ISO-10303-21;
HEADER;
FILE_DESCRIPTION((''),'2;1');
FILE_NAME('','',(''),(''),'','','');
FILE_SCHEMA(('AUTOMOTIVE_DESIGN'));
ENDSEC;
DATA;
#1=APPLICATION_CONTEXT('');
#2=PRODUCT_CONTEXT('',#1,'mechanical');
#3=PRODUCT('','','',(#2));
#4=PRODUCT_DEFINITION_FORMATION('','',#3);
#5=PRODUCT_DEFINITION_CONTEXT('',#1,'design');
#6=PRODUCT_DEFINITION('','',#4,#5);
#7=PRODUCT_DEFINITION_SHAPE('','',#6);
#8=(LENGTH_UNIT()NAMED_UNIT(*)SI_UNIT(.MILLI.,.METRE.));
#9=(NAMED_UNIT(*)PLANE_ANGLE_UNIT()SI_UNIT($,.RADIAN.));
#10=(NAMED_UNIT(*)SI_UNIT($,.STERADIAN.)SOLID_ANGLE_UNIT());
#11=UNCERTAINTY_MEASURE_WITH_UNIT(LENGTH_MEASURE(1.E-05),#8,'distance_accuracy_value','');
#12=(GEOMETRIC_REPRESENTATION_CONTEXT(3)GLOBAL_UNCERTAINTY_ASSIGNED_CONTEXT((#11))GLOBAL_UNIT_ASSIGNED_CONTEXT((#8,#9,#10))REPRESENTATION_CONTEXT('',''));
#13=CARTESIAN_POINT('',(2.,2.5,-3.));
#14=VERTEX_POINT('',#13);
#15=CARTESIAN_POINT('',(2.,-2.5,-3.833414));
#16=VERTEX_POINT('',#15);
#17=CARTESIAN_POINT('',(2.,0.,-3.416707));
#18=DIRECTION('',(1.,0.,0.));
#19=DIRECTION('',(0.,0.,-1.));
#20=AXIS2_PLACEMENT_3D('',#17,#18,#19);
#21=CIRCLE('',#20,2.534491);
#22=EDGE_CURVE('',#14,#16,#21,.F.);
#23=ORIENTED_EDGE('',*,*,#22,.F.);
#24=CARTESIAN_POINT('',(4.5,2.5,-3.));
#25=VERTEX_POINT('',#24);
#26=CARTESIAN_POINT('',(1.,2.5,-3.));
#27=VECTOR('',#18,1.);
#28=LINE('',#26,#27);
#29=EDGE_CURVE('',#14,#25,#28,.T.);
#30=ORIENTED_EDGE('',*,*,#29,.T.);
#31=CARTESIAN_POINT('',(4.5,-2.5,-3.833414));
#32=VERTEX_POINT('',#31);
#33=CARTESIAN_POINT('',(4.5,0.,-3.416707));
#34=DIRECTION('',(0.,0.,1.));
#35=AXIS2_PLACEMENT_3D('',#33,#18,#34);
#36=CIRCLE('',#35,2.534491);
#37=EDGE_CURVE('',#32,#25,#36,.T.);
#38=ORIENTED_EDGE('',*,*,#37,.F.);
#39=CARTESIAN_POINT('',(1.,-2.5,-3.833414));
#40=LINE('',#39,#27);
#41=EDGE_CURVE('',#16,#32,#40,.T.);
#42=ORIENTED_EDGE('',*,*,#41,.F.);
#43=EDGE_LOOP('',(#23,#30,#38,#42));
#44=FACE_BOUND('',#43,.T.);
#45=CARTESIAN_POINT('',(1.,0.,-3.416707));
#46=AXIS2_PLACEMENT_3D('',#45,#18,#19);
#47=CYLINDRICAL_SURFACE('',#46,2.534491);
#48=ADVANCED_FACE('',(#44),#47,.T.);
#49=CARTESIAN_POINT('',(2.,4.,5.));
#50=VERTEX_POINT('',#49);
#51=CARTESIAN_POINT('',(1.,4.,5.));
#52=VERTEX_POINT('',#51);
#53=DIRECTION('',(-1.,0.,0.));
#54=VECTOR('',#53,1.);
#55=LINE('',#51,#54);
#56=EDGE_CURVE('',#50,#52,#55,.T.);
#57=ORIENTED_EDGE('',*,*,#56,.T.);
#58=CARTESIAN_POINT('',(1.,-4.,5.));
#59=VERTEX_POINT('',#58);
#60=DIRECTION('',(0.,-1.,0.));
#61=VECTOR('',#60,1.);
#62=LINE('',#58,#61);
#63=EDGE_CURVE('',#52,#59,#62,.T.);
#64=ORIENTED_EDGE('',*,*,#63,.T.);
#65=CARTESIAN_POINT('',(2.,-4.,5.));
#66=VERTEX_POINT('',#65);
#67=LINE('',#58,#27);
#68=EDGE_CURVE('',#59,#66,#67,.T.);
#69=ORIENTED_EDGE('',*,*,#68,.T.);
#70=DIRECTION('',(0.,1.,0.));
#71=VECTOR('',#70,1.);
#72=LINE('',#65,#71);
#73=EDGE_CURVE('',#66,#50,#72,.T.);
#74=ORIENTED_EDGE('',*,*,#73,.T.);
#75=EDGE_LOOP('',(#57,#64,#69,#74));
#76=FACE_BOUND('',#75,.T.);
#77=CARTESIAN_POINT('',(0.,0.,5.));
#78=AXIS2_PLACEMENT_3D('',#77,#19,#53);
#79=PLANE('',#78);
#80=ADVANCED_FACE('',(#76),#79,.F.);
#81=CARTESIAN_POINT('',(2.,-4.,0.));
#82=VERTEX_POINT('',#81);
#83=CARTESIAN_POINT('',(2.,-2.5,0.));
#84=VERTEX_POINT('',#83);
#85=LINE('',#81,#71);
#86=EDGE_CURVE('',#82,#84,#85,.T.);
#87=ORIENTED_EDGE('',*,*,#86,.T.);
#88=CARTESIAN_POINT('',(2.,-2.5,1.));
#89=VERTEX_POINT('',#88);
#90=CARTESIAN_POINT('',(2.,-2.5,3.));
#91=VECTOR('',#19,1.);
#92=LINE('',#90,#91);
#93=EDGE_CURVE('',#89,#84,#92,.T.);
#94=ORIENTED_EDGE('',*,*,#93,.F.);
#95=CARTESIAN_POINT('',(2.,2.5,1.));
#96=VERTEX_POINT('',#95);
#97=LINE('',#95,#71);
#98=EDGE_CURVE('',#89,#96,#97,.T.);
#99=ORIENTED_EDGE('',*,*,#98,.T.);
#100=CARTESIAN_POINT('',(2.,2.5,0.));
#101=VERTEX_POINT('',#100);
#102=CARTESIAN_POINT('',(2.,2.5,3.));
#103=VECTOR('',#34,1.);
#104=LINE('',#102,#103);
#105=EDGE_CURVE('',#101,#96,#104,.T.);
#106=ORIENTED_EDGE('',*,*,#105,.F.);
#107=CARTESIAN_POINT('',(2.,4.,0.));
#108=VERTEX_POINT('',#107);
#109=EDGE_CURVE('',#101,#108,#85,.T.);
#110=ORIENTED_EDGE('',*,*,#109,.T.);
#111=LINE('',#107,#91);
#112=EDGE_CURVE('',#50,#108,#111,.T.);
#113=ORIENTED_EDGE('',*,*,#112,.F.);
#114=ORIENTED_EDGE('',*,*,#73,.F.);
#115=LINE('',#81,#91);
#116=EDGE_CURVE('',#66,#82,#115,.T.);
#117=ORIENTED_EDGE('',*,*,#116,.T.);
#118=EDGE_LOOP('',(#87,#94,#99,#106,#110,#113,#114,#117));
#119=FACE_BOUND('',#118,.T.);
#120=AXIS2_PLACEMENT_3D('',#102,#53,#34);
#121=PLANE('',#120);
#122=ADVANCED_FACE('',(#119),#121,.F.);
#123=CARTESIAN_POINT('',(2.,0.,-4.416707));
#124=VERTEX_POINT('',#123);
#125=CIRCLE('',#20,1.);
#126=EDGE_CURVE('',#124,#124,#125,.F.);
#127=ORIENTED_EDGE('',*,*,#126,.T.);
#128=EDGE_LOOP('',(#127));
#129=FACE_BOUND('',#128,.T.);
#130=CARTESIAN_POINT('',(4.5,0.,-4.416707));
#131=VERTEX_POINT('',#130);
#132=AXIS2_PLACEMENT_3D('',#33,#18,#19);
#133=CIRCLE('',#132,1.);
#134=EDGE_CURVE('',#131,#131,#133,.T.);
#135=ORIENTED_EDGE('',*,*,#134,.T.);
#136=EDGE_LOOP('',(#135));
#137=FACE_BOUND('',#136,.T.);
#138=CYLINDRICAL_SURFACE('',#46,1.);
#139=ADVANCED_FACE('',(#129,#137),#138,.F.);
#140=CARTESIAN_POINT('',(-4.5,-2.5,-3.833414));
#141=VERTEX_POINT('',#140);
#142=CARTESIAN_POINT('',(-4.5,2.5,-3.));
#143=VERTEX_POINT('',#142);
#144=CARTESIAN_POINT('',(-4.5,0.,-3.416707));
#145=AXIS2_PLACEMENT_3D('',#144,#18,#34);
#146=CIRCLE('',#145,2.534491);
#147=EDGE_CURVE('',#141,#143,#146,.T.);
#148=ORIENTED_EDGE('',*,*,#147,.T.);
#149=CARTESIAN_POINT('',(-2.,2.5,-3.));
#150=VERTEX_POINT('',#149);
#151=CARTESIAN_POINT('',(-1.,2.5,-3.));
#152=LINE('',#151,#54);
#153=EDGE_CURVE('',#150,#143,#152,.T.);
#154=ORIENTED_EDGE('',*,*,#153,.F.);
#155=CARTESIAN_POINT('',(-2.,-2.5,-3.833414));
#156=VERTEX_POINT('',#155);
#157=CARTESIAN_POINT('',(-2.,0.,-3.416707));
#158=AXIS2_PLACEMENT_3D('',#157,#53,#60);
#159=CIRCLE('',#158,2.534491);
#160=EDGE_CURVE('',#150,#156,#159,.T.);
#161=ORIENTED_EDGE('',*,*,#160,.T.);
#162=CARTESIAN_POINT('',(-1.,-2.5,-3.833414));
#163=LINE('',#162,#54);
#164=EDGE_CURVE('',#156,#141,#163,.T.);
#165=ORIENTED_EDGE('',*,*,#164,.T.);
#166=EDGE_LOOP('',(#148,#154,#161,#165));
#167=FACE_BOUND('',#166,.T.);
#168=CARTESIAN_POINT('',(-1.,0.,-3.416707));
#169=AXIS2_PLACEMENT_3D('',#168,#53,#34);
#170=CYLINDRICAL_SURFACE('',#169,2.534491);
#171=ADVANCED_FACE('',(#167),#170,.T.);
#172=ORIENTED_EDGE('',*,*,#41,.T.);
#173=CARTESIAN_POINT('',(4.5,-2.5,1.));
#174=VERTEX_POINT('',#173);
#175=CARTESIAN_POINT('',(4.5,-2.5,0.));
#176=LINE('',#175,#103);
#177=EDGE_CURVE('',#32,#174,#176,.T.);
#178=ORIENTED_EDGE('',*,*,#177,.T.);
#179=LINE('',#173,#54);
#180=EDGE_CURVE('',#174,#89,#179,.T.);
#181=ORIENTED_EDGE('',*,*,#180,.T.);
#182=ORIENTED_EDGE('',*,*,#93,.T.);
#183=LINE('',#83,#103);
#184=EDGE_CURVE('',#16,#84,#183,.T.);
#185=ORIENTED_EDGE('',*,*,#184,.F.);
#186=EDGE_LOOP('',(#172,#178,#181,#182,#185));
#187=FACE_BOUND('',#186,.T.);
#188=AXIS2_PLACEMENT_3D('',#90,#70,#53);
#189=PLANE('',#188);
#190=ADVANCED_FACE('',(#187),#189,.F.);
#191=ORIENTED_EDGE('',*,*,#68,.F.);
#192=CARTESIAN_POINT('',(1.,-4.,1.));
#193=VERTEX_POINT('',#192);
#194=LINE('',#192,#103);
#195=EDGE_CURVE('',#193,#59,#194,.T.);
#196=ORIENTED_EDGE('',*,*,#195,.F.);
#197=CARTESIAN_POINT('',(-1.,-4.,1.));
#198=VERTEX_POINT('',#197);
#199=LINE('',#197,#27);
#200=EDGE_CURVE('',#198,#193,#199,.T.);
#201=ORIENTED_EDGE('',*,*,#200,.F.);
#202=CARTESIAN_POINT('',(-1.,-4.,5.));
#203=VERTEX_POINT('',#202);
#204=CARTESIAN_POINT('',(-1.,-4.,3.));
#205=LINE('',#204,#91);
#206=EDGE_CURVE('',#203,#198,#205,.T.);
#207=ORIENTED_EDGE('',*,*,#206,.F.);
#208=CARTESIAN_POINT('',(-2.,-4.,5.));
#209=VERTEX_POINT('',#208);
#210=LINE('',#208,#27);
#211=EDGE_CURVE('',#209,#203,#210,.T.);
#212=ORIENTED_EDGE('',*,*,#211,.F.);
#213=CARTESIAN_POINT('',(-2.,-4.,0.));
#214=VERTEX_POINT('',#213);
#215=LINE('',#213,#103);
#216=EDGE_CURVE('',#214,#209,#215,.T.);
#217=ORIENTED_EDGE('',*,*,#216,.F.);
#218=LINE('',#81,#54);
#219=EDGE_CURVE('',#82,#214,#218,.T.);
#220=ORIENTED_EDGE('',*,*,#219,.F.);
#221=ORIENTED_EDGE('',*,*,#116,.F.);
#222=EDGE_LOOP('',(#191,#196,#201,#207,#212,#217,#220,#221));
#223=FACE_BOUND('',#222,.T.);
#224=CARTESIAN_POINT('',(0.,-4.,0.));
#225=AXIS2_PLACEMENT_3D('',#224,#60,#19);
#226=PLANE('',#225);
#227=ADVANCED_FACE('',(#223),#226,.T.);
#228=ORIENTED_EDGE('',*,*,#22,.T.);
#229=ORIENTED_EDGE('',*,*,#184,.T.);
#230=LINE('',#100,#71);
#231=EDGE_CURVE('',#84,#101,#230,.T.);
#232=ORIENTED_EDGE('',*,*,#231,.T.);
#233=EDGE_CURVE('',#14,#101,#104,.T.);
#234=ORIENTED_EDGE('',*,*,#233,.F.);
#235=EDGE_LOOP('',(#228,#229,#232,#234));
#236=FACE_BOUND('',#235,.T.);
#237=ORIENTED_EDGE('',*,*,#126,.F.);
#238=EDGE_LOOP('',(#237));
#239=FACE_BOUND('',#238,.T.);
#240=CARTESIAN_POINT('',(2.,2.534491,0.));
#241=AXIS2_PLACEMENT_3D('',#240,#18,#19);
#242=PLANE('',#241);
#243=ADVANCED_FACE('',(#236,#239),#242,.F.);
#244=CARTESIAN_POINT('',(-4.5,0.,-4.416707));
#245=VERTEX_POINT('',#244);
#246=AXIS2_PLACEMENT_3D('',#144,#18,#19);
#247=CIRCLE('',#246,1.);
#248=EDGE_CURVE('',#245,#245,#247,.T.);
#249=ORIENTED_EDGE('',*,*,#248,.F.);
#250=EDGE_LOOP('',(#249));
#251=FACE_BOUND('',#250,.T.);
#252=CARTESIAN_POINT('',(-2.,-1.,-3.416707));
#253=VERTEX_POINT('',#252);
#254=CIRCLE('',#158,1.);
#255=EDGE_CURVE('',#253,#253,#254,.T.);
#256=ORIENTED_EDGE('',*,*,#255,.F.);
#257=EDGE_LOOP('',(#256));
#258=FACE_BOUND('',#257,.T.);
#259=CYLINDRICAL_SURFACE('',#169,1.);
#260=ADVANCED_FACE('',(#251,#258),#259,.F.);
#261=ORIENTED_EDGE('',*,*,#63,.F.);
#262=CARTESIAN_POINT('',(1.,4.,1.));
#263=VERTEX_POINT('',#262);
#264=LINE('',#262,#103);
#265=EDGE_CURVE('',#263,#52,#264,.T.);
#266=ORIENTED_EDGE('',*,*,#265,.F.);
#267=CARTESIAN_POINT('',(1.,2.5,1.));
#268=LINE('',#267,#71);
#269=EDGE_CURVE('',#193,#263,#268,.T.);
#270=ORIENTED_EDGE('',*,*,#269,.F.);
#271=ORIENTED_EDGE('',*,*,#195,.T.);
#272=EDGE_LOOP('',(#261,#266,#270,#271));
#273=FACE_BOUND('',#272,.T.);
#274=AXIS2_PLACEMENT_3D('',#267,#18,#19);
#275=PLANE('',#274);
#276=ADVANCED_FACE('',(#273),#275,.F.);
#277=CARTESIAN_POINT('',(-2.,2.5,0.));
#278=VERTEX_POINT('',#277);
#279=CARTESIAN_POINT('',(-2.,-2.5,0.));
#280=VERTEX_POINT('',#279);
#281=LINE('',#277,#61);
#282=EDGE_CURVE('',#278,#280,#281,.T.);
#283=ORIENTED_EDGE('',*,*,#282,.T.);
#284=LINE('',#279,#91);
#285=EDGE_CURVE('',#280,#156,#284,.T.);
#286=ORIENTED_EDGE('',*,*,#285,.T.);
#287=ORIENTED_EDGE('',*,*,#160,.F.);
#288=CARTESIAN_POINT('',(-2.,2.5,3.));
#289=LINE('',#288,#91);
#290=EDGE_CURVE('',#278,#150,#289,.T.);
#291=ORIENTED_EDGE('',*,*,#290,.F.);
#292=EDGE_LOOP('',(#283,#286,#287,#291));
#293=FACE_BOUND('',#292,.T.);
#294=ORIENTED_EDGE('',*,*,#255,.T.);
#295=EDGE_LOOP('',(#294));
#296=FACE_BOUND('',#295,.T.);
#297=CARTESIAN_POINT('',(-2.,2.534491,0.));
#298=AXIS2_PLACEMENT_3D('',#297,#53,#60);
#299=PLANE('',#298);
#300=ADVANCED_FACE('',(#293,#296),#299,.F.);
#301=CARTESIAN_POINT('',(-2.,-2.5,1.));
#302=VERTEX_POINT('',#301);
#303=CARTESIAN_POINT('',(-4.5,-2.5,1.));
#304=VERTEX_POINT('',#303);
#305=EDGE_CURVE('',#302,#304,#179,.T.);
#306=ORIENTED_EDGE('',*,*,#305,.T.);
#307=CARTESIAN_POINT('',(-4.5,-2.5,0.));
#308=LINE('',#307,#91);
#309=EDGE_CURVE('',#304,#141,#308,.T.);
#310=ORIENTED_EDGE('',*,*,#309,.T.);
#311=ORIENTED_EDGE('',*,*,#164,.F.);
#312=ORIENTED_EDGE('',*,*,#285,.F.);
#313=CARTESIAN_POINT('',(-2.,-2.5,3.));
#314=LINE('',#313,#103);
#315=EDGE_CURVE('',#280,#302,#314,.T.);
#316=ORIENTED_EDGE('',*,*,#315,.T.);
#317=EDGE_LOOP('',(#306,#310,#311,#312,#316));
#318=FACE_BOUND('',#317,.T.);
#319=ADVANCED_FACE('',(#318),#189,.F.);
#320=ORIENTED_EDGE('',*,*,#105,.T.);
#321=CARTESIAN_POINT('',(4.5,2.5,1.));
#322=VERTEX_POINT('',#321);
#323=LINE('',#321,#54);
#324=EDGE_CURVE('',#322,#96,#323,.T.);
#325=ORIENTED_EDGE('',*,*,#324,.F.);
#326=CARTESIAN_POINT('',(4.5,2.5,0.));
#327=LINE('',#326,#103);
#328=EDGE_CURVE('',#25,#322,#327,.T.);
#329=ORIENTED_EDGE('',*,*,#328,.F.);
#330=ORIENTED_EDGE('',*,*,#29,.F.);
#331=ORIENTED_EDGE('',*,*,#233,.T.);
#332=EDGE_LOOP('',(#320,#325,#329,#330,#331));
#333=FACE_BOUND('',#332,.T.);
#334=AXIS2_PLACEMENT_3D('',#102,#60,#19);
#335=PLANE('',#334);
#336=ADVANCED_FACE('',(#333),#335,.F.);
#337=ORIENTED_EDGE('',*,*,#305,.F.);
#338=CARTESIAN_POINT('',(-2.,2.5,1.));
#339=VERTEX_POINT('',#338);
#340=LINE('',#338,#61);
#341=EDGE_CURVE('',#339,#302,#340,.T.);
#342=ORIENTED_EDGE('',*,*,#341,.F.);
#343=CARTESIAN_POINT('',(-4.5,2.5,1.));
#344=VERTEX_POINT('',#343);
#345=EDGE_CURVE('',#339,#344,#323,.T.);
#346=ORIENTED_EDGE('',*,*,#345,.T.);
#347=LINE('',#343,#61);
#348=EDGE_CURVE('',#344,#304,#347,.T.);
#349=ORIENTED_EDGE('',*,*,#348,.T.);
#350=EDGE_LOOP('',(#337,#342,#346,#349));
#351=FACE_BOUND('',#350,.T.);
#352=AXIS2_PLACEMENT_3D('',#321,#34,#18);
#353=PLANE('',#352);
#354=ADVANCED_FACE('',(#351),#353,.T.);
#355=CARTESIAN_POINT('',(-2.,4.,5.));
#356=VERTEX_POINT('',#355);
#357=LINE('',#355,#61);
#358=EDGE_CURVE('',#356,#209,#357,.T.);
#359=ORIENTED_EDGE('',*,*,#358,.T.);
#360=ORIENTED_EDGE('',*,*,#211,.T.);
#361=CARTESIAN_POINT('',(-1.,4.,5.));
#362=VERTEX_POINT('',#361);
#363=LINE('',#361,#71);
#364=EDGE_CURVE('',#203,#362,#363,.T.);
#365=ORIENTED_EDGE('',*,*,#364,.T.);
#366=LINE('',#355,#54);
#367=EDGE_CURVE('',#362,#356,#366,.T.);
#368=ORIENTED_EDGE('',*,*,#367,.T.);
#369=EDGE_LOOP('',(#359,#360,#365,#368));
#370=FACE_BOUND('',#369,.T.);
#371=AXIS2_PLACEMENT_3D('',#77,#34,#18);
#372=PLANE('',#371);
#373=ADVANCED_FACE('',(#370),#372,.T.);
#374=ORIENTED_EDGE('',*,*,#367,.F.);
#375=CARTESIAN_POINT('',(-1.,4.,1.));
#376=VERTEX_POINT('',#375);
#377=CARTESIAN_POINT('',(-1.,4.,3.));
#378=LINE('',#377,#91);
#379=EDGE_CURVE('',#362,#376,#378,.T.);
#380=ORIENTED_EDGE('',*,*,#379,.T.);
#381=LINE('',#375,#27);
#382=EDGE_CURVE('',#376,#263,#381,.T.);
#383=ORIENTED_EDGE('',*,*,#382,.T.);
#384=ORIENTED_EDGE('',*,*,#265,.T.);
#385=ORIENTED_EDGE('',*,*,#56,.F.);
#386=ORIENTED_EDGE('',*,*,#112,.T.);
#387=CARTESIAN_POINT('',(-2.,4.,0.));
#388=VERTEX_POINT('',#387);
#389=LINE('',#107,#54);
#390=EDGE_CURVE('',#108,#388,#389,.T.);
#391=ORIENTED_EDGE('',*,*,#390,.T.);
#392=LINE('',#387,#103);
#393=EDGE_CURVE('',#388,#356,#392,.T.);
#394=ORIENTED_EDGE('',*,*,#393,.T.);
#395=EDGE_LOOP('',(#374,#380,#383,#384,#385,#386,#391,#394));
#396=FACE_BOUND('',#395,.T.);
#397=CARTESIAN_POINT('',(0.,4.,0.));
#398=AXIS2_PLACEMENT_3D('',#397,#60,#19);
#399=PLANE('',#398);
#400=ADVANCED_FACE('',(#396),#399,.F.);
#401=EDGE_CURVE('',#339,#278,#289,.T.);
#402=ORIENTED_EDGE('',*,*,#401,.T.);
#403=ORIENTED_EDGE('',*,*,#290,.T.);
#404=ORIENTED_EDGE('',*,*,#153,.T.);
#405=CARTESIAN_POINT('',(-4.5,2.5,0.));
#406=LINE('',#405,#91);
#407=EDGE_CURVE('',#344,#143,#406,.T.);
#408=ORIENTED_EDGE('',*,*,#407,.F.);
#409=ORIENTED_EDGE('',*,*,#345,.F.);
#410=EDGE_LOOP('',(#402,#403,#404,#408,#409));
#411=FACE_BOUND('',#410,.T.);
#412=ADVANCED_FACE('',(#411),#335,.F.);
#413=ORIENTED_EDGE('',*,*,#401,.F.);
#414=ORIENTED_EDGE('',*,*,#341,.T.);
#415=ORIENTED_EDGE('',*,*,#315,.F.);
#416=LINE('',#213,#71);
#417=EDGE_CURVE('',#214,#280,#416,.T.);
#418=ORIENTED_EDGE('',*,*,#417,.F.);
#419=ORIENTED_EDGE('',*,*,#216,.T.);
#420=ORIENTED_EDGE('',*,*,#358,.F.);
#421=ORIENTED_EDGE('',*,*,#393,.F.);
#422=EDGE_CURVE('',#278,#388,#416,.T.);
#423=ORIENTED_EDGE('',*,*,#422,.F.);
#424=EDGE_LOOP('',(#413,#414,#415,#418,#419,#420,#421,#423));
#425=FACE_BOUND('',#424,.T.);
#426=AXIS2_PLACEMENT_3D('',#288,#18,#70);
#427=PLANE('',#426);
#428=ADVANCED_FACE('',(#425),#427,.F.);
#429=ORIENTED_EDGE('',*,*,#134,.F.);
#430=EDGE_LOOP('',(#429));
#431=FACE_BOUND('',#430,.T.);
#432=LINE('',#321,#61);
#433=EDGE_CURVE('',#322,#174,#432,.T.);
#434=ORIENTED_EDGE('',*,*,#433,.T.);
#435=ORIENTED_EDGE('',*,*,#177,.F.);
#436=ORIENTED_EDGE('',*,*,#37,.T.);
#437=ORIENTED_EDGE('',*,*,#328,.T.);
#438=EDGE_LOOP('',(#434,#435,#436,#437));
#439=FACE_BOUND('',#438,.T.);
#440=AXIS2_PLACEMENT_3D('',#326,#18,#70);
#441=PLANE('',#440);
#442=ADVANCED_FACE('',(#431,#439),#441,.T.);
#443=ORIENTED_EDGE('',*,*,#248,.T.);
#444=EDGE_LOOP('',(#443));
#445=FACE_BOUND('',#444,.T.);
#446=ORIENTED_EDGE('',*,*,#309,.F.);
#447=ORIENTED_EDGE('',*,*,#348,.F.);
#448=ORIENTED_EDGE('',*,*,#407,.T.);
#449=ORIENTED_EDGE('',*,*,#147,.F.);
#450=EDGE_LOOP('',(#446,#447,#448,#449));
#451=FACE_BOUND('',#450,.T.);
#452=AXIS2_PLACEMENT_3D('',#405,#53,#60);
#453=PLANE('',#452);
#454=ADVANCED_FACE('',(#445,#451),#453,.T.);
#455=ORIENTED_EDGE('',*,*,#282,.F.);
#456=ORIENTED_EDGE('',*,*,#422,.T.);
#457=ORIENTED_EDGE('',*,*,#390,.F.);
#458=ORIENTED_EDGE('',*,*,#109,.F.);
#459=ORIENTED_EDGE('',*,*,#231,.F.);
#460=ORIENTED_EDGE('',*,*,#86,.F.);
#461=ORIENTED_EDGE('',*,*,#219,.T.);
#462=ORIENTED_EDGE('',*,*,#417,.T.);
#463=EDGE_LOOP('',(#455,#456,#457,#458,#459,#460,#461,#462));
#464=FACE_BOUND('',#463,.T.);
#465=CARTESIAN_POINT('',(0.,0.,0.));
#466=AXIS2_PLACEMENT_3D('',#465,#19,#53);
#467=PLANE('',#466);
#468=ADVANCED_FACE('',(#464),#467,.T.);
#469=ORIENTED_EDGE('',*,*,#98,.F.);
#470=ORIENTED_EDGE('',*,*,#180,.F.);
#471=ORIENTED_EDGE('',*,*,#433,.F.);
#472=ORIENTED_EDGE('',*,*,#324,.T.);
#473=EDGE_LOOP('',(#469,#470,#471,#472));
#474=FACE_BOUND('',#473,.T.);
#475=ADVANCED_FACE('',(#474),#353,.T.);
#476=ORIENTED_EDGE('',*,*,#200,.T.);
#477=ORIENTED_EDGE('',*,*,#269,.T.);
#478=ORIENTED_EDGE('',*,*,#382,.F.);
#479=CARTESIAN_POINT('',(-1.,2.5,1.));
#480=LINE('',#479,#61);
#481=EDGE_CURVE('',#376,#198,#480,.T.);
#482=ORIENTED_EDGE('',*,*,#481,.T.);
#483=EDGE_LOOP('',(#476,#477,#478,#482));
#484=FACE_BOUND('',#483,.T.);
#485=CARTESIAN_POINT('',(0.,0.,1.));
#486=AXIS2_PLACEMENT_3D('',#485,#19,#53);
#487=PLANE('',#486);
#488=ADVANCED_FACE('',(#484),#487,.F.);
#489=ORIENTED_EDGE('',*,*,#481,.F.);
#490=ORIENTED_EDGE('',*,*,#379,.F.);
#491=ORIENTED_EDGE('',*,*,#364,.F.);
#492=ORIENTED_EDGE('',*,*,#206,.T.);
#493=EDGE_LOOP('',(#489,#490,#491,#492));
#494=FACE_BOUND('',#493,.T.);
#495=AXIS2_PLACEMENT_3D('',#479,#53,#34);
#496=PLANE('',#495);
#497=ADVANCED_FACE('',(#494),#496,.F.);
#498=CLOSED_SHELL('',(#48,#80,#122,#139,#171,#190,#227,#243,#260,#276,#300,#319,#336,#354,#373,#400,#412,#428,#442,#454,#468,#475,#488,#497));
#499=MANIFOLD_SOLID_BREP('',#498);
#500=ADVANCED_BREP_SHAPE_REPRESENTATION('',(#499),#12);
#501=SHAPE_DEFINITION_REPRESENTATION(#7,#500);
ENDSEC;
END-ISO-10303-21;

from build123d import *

# Parameters (mm, degrees)
SKETCH1_W                = 4
SKETCH1_H                = 5
BOSS_EXTRUDE1_DEPTH      = 3
SKETCH2_W                = 2
SKETCH2_H                = 5
CUT_EXTRUDE1_DEPTH       = 2
BOSS_EXTRUDE2_START      = -1
SKETCH3_R                = 1
BOSS_EXTRUDE2_DEPTH      = 3.5
SKETCH4_W                = 4
SKETCH4_H                = 5.951198117
CUT_EXTRUDE2_DEPTH       = 10.00071436
SKETCH5_W                = 9
SKETCH5_H                = 1
BOSS_EXTRUDE3_DEPTH      = 5
BOSS_EXTRUDE4_DEPTH      = 1.5
BOSS_EXTRUDE4_DEPTH_BACK = 6.5
SKETCH7_W                = 1
SKETCH7_H                = 8
BOSS_EXTRUDE5_DEPTH      = 2


with BuildPart() as part:
    # Sketch1 → Boss-Extrude1 (new body)
    with BuildSketch(Plane.XY):
        Rectangle(SKETCH1_W, SKETCH1_H)
    extrude(amount=BOSS_EXTRUDE1_DEPTH)

    # Sketch2 → Cut-Extrude1 (cut)
    with BuildSketch(Plane.XY.offset(3)):
        Rectangle(SKETCH2_W, SKETCH2_H)
    extrude(amount=-CUT_EXTRUDE1_DEPTH, mode=Mode.SUBTRACT)

    # Sketch3 → Boss-Extrude2 (add)
    with BuildSketch(Plane(origin=(2, 0, 0), x_dir=(0, 0, -1), z_dir=(1, 0, 0)).offset(BOSS_EXTRUDE2_START)):
        with BuildLine():
            Line((0, 2.5), (3, 2.5))
            ThreePointArc((3, 2.5), (5.916707084, 0.416707084), (3.833414169, -2.5))
            Line((3.833414169, -2.5), (0, -2.5))
            Line((0, -2.5), (0, 2.5))
        make_face()
        with Locations((3.416707084, 0)):
            Circle(SKETCH3_R, mode=Mode.SUBTRACT)
    boss_extrude2 = extrude(amount=BOSS_EXTRUDE2_DEPTH)

    # Mirror1: Boss-Extrude2 across plane
    add(boss_extrude2.mirror(Plane(origin=(0, 0, 0), x_dir=(0, 0, 1), z_dir=(1, 0, 0))))

    # Sketch4 → Cut-Extrude2 (cut, through all)
    with BuildSketch(Plane.XZ.offset(2.5)):
        with Locations((0, -2.975599059)):
            Rectangle(SKETCH4_W, SKETCH4_H)
    extrude(amount=-CUT_EXTRUDE2_DEPTH, mode=Mode.SUBTRACT)


with BuildPart() as cut_extrude2_piece_1:
    # of the separate pieces the step leaves, piece 1, a body of its own (cut_extrude2_pieces)
    add(part.part.solids().sort_by_distance((4.5, 2.5, 0))[0])



with BuildPart() as cut_extrude2_piece_2:
    # of the separate pieces the step leaves, piece 2, a body of its own (cut_extrude2_pieces)
    add(part.part.solids().sort_by_distance((-2, 2.5, -3))[0])


with BuildPart() as cut_extrude2_piece_3:
    # of the separate pieces the step leaves, piece 3, a body of its own (cut_extrude2_pieces)
    add(part.part.solids().sort_by_distance((-2, 2.5, 3))[0])


with BuildPart() as cut_extrude2_piece_1_1:
    add(cut_extrude2_piece_1.part)

    add(cut_extrude2_piece_2.part)  # Boss-Extrude3 merges Cut-Extrude2 piece 2

    add(cut_extrude2_piece_3.part)  # Boss-Extrude3 merges Cut-Extrude2 piece 3
    # Sketch5 → Boss-Extrude3 (add)
    with BuildSketch(Plane.XZ.offset(2.5)):
        with Locations((0, 0.5)):
            Rectangle(SKETCH5_W, SKETCH5_H)
    extrude(amount=-BOSS_EXTRUDE3_DEPTH)

    # Sketch6 → Boss-Extrude4 (add, two sides: drawn at the far end of the back side and taken through both)
    with BuildSketch(Plane(origin=(0, 2.5, 0), x_dir=(1, 0, 0), z_dir=(0, 1, 0)).offset(-BOSS_EXTRUDE4_DEPTH_BACK)):
        Polygon((-1, -3), (-1, -1), (1, -1), (1, -3), (2, -3), (2, 0), (-2, 0), (-2, -3), align=None)
    extrude(amount=BOSS_EXTRUDE4_DEPTH + BOSS_EXTRUDE4_DEPTH_BACK)

    # Sketch7 → Boss-Extrude5 (add)
    with BuildSketch(Plane.XY.offset(3)):
        with Locations((1.5, 0)):
            Rectangle(SKETCH7_W, SKETCH7_H)
        with Locations((-1.5, 0)):
            Rectangle(SKETCH7_W, SKETCH7_H)
    extrude(amount=BOSS_EXTRUDE5_DEPTH)


solid = cut_extrude2_piece_1_1.part
